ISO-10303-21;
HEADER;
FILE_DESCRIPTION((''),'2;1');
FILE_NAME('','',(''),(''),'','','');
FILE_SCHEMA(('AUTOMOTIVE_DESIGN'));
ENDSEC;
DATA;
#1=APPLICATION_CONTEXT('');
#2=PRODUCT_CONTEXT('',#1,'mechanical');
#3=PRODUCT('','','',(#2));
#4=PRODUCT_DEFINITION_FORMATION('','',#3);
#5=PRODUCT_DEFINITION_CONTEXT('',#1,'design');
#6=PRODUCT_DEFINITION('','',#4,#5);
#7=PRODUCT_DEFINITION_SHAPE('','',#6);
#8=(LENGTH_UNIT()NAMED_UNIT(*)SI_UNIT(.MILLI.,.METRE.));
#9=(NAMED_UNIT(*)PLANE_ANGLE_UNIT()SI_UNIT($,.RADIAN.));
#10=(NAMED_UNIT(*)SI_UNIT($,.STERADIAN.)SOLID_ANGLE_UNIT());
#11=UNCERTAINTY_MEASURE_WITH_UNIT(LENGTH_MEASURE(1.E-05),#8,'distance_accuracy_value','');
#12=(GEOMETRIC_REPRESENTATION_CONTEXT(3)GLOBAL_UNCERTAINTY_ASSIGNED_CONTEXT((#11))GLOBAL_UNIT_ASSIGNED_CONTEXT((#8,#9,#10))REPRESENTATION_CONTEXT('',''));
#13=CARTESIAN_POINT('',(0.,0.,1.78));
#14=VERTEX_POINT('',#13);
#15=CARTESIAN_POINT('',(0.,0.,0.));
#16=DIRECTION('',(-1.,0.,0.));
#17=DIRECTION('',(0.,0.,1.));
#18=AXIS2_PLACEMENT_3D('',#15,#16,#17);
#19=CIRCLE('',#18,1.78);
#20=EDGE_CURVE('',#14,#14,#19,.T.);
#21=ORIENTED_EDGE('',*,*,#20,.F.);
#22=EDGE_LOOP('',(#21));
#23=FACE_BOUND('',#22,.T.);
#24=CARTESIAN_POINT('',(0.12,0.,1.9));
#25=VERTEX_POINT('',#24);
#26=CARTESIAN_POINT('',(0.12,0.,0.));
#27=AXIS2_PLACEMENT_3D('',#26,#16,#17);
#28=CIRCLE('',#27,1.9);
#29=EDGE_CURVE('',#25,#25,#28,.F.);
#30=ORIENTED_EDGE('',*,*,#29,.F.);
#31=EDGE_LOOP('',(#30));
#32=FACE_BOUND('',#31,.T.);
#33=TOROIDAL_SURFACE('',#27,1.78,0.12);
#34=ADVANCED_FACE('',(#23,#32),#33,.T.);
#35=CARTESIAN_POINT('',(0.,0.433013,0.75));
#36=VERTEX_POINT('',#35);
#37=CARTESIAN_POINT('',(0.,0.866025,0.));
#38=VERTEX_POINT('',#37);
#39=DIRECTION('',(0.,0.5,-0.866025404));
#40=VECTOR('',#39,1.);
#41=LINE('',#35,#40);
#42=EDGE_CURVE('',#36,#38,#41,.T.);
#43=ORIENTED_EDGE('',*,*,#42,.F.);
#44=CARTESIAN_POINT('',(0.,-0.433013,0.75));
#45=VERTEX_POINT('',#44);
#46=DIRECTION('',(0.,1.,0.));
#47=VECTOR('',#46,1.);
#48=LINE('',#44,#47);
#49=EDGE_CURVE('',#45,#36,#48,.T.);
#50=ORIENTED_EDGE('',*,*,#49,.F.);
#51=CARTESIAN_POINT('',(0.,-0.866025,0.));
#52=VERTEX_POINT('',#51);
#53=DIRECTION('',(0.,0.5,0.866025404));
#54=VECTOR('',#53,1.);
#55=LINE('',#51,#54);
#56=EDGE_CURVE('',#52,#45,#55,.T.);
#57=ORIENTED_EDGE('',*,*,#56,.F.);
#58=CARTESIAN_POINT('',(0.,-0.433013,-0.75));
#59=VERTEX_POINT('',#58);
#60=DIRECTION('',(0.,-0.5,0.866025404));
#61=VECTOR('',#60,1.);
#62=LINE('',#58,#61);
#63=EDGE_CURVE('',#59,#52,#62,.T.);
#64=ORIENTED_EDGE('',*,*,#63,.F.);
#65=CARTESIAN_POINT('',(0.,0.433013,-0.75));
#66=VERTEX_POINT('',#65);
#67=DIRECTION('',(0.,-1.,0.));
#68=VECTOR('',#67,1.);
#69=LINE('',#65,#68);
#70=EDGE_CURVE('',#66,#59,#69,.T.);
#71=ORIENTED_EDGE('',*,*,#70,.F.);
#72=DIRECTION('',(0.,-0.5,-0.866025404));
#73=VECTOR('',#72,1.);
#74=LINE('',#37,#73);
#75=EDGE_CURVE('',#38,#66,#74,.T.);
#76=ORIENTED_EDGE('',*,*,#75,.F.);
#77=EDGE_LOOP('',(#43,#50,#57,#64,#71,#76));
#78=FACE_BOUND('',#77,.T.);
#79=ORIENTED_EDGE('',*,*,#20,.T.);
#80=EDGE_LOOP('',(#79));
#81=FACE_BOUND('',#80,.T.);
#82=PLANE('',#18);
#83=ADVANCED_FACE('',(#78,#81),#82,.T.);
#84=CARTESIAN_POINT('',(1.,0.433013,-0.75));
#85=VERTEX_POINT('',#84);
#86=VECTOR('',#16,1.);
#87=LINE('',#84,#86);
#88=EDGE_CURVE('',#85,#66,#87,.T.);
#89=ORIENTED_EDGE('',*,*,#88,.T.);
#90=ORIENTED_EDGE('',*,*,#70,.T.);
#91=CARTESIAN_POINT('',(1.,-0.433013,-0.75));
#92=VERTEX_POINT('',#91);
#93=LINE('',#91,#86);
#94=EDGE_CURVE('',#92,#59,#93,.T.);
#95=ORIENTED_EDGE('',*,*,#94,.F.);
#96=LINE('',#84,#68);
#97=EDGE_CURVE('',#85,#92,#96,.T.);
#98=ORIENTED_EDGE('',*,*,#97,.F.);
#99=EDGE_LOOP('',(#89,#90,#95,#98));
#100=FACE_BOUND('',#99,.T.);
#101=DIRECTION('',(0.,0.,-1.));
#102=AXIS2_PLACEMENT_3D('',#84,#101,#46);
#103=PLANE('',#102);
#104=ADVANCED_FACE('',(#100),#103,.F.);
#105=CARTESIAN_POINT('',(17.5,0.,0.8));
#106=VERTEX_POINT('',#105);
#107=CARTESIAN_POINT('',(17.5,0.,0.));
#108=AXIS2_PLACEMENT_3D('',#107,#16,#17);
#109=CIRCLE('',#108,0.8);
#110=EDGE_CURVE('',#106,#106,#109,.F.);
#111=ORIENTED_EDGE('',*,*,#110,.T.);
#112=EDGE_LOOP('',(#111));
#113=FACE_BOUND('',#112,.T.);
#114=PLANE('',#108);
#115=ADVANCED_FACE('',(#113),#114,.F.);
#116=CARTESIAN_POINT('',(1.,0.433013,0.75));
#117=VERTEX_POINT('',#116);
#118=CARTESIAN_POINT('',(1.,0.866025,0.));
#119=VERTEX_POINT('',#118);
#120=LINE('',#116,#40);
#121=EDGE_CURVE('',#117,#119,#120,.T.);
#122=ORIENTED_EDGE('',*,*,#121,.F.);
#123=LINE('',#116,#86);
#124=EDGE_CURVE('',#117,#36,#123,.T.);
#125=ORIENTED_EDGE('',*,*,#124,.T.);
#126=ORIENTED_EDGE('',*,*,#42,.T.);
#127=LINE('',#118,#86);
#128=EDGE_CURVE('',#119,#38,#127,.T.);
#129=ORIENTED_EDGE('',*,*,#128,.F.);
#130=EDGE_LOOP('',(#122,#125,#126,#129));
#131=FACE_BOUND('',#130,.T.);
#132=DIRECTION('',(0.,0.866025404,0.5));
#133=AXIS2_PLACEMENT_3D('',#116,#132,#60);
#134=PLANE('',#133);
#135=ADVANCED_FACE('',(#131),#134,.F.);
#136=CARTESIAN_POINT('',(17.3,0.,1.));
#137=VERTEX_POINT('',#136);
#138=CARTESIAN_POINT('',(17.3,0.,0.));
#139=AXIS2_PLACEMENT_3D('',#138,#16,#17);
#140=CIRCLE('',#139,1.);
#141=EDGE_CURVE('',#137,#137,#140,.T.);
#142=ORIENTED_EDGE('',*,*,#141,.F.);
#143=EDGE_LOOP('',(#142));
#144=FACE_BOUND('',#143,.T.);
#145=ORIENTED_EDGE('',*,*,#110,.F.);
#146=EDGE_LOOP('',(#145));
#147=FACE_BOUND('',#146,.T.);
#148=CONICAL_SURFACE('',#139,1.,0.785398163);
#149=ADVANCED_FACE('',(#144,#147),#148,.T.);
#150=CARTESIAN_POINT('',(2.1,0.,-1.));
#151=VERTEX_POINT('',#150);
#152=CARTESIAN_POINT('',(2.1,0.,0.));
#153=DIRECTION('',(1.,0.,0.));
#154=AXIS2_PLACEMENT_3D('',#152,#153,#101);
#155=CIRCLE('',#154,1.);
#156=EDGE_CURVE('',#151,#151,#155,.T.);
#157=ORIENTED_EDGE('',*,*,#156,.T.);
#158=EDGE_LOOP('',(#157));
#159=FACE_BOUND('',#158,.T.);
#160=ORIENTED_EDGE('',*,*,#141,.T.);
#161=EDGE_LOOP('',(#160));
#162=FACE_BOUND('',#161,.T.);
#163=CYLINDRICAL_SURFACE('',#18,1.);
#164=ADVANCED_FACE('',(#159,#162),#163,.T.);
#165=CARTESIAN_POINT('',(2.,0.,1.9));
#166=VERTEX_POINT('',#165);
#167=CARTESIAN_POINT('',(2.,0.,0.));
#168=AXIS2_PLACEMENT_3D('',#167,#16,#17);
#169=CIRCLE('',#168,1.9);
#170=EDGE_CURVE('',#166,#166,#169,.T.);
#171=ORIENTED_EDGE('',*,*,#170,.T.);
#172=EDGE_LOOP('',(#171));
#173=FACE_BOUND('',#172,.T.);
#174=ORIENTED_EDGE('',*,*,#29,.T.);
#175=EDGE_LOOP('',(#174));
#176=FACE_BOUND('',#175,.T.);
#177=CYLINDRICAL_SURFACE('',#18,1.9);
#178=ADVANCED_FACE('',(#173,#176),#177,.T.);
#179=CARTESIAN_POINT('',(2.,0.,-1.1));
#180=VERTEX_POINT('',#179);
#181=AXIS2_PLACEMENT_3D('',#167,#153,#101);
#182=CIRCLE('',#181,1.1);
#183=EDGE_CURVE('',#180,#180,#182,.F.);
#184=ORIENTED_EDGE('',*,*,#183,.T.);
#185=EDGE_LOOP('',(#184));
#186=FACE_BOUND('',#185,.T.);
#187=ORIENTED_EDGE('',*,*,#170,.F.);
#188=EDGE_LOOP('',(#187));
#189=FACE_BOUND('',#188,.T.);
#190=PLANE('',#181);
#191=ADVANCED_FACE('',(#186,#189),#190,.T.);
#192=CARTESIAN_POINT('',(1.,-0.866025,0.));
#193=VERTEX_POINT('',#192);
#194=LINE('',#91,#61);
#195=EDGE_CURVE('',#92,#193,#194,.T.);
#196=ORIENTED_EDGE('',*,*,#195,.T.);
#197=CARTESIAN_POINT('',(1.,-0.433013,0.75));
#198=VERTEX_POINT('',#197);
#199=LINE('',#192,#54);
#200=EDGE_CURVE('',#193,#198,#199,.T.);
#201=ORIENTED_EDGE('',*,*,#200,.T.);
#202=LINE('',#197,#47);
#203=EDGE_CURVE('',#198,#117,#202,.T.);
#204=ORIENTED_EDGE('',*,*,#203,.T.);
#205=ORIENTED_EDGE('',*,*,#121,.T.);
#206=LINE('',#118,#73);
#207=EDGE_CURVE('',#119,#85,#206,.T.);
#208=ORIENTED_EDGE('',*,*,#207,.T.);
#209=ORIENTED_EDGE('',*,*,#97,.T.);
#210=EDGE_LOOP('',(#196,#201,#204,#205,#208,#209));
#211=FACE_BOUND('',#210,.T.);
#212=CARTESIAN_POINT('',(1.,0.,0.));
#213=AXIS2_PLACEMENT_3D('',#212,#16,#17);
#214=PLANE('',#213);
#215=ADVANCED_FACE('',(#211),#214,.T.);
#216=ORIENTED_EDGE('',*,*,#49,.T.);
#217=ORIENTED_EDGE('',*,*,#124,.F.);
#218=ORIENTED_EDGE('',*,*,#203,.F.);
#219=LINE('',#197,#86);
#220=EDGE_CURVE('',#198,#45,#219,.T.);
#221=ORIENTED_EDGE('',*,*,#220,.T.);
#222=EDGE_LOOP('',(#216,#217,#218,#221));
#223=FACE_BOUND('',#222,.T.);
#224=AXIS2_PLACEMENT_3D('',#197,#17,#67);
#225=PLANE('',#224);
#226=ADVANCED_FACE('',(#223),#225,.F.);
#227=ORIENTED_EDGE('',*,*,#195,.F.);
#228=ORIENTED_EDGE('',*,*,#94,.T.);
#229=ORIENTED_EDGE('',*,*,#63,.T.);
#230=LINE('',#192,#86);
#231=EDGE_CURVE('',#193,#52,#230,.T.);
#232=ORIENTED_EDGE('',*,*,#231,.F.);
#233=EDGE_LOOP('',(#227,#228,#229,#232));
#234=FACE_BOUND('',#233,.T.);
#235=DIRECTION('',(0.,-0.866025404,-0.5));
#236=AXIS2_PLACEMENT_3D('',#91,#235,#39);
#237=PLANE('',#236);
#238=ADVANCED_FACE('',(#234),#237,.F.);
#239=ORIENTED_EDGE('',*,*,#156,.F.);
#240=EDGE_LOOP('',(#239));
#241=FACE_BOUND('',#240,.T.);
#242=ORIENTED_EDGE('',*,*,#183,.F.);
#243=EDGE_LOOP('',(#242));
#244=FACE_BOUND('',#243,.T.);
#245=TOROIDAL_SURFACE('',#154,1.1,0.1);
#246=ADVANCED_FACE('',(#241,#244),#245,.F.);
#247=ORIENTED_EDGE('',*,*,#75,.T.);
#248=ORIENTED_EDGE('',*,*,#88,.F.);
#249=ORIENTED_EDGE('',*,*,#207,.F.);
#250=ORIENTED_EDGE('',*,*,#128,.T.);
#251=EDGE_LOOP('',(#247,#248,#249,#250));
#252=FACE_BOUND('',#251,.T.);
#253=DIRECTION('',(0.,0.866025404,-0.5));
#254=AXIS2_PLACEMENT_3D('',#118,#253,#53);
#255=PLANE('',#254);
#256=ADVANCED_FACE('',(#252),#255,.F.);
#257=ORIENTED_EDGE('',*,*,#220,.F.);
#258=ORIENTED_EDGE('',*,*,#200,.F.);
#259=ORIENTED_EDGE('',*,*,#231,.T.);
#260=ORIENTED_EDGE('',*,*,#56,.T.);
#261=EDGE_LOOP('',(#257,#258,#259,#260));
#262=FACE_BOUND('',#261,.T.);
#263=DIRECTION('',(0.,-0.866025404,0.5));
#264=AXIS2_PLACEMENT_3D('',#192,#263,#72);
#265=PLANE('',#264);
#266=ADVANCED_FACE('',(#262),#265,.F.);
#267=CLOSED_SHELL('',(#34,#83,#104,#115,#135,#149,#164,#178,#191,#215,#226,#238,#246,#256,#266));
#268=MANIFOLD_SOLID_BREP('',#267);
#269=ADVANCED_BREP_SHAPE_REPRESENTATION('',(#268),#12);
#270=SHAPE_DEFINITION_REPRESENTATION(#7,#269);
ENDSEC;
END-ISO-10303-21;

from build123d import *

# Parameters (mm, degrees)
FILLET1_R      = 0.1
FILLET2_R      = 0.12
CHAMFER1_SIZE  = 0.2
EXTRUDE1_DEPTH = 1


with BuildPart() as part:
    # Sketch1 → Revolve1 (revolve)
    with BuildSketch(Plane.XY, mode=Mode.PRIVATE) as revolve1_sk:
        Polygon((2, 1), (2, 0), (4.279914881, 0), (17.5, 0), (17.5, 1), align=None)
        Polygon((0, 1.9), (0, 0), (2, 0), (2, 1), (2, 1.9), align=None)
    revolve(revolve1_sk.sketch.rotate(Axis((0, 0, 0), (1, 0, 0)), 90), axis=Axis((0, 0, 0), (1, 0, 0)))

    # Fillet1
    fillet1_edges = [part.edges().sort_by_distance(p)[0] for p in [
        (2, 0, -1),
    ]]
    fillet(fillet1_edges, radius=FILLET1_R)

    # Fillet2
    fillet2_edges = [part.edges().sort_by_distance(p)[0] for p in [
        (0, 0, -1.9),
    ]]
    fillet(fillet2_edges, radius=FILLET2_R)

    # Chamfer1
    chamfer1_edges = [part.edges().sort_by_distance(p)[0] for p in [
        (17.5, 0, -1),
    ]]
    chamfer(chamfer1_edges, length=CHAMFER1_SIZE)

    # Sketch2 → Extrude1 (cut)
    with BuildSketch(Plane.ZY):
        Polygon((0, 0.866025404), (-0.75, 0.433012702), (-0.75, -0.433012702), (0, -0.866025404), (0.75, -0.433012702), (0.75, 0.433012702), align=None)
    extrude(amount=-EXTRUDE1_DEPTH, mode=Mode.SUBTRACT)


solid = part.part
